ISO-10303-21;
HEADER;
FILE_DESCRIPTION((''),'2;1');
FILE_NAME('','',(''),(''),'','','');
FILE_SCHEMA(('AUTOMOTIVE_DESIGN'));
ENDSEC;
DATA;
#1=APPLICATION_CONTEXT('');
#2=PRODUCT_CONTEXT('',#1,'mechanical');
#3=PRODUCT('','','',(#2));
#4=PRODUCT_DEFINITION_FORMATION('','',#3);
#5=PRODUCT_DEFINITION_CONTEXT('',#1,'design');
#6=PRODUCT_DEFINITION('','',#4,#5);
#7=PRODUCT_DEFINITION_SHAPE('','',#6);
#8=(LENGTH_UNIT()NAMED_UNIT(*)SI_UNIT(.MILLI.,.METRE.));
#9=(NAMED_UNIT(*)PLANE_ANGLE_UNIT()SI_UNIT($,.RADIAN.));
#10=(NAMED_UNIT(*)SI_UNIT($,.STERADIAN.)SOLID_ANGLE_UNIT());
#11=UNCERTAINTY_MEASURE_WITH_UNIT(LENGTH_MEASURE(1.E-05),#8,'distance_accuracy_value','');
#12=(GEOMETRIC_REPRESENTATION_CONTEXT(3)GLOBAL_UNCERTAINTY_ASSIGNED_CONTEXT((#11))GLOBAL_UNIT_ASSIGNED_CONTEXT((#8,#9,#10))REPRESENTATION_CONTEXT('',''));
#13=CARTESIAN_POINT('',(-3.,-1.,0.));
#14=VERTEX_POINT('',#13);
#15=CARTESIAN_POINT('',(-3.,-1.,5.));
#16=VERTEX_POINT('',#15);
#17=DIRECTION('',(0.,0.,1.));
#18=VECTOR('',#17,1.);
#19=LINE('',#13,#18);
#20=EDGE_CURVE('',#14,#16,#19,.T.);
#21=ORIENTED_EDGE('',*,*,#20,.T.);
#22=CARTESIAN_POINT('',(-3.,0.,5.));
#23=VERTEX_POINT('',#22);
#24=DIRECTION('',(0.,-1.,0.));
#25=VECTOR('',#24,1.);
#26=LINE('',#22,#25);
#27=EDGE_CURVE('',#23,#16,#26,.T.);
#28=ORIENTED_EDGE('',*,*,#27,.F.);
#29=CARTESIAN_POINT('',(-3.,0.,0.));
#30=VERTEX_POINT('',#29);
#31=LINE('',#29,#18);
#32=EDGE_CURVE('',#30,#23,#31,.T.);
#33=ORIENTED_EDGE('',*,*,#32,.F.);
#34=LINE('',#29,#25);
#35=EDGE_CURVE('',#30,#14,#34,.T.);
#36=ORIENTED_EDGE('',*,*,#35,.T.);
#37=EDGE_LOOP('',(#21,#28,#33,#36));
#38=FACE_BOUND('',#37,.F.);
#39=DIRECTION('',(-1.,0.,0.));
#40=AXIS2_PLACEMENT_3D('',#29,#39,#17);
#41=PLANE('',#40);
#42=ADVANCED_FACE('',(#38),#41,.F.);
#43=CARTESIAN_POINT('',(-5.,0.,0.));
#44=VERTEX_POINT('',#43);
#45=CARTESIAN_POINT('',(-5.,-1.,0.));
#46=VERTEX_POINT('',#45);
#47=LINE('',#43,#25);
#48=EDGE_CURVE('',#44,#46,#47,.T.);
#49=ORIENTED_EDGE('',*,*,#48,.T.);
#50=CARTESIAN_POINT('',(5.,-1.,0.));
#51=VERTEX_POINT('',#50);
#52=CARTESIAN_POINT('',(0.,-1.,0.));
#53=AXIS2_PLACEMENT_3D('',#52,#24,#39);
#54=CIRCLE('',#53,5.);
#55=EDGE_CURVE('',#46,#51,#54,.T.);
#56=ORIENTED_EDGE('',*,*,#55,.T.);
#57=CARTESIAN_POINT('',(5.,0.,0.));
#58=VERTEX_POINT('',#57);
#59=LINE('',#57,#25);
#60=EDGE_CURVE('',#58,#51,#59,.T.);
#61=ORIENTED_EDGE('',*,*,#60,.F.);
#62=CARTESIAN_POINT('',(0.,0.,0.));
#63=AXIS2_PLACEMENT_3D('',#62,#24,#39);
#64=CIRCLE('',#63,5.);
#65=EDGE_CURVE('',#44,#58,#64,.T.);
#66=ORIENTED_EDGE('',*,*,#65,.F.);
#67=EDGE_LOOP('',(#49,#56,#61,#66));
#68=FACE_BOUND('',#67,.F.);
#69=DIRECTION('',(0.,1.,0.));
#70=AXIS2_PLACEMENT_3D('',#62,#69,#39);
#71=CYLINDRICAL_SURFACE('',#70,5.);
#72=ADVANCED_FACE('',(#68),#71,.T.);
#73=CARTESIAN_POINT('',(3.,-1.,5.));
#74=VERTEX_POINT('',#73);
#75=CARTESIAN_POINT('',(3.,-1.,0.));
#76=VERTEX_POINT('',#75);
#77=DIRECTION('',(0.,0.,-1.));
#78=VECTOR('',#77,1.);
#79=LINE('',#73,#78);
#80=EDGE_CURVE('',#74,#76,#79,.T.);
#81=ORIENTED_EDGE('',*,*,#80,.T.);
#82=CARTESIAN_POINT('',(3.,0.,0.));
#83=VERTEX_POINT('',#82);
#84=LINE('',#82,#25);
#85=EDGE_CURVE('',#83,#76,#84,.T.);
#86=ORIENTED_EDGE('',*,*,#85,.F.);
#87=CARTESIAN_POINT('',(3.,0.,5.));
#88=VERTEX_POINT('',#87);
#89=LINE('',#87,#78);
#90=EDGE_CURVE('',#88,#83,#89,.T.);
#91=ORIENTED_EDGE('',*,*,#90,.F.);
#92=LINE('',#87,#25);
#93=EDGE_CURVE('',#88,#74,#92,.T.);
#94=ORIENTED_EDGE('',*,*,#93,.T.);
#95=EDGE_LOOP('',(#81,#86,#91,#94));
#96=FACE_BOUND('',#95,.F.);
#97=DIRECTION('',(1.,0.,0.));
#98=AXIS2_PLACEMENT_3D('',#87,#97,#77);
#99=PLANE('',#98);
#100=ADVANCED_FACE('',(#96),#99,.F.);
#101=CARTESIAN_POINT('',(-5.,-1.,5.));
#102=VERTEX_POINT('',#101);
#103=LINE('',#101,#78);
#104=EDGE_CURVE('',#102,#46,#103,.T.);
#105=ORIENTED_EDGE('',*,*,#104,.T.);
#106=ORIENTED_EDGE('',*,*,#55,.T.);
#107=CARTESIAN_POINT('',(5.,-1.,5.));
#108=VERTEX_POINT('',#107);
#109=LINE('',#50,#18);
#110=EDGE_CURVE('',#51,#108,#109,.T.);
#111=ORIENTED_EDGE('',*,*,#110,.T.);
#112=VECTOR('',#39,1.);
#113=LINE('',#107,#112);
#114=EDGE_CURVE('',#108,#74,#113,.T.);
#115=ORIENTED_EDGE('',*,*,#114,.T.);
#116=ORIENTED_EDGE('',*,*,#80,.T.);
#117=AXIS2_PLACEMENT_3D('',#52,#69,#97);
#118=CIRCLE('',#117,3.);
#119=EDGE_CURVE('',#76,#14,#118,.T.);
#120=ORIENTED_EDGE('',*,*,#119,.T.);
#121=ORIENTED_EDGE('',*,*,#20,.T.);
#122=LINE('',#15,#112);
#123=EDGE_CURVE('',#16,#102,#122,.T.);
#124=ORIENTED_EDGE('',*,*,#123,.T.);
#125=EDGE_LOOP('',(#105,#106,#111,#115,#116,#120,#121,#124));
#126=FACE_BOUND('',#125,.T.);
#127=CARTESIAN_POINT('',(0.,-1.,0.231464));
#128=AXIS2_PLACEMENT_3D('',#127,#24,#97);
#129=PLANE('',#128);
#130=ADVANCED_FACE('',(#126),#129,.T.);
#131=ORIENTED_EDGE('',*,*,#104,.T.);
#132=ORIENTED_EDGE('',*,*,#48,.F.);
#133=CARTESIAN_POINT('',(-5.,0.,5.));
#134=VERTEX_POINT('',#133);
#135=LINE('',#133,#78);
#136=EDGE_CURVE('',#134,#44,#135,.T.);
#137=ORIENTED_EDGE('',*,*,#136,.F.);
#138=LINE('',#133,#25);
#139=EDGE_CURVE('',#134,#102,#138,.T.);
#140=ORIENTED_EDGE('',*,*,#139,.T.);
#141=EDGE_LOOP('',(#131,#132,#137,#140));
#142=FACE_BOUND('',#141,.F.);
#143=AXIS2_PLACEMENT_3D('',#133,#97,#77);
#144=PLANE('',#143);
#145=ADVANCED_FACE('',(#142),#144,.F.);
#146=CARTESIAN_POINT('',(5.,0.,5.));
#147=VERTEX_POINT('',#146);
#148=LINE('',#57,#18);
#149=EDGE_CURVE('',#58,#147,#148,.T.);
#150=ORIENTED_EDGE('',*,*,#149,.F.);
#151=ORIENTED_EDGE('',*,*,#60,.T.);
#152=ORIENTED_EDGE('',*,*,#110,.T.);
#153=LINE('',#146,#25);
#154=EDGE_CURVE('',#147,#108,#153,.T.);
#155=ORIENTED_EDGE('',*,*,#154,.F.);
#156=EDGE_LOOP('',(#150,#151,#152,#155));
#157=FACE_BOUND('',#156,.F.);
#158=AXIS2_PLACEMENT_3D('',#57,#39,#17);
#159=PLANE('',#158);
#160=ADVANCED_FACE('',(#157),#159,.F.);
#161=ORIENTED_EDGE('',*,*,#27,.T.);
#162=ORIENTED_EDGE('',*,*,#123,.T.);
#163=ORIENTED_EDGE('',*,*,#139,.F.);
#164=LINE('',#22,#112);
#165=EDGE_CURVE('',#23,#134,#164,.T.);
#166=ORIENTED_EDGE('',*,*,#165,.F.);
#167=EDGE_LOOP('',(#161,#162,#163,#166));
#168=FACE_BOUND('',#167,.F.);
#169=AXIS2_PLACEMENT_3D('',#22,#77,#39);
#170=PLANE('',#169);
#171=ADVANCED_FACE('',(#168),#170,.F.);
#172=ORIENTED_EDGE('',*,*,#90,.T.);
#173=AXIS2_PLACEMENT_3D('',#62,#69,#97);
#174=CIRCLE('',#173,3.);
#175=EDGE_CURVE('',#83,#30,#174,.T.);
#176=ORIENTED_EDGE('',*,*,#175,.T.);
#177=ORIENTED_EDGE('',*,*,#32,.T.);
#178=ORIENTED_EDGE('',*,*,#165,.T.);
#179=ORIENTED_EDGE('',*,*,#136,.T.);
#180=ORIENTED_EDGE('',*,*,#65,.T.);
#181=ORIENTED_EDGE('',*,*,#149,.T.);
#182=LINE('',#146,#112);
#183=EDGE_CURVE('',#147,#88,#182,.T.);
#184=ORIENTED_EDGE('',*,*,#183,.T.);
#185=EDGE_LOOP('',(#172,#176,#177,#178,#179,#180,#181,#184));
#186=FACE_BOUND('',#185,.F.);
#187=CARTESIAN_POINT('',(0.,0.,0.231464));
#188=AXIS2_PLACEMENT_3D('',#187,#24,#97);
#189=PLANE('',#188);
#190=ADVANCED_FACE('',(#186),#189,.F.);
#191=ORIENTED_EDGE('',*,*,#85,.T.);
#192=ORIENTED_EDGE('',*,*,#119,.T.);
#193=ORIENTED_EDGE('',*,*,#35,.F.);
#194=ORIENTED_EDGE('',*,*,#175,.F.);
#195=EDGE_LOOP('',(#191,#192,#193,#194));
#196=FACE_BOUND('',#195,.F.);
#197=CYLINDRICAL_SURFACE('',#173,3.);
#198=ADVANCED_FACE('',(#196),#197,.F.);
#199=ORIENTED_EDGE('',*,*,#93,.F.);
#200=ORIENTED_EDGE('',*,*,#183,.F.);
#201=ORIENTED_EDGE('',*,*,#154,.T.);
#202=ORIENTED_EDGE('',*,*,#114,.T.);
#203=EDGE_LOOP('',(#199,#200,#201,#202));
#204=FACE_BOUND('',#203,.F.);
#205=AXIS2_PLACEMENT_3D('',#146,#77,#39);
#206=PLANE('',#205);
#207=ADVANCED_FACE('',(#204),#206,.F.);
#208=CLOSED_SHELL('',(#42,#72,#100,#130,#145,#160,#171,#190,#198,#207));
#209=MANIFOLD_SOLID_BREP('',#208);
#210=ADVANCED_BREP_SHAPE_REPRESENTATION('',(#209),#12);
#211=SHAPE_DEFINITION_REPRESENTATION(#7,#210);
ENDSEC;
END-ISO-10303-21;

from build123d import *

# Parameters (mm, degrees)
F1_DEPTH = 1


with BuildPart() as f1:
    # F0 (on Front) → F1 (new body)
    with BuildSketch(Plane.XZ):
        with BuildLine():
            Line((-5, 5), (-5, 0))
            ThreePointArc((-5, 0), (0, -5), (5, 0))
            Line((5, 0), (5, 5))
            Line((5, 5), (3, 5))
            Line((3, 5), (3, 0))
            ThreePointArc((3, 0), (0, -3), (-3, 0))
            Line((-3, 0), (-3, 5))
            Line((-3, 5), (-5, 5))
        make_face()
    extrude(amount=F1_DEPTH)


solid = f1.part
